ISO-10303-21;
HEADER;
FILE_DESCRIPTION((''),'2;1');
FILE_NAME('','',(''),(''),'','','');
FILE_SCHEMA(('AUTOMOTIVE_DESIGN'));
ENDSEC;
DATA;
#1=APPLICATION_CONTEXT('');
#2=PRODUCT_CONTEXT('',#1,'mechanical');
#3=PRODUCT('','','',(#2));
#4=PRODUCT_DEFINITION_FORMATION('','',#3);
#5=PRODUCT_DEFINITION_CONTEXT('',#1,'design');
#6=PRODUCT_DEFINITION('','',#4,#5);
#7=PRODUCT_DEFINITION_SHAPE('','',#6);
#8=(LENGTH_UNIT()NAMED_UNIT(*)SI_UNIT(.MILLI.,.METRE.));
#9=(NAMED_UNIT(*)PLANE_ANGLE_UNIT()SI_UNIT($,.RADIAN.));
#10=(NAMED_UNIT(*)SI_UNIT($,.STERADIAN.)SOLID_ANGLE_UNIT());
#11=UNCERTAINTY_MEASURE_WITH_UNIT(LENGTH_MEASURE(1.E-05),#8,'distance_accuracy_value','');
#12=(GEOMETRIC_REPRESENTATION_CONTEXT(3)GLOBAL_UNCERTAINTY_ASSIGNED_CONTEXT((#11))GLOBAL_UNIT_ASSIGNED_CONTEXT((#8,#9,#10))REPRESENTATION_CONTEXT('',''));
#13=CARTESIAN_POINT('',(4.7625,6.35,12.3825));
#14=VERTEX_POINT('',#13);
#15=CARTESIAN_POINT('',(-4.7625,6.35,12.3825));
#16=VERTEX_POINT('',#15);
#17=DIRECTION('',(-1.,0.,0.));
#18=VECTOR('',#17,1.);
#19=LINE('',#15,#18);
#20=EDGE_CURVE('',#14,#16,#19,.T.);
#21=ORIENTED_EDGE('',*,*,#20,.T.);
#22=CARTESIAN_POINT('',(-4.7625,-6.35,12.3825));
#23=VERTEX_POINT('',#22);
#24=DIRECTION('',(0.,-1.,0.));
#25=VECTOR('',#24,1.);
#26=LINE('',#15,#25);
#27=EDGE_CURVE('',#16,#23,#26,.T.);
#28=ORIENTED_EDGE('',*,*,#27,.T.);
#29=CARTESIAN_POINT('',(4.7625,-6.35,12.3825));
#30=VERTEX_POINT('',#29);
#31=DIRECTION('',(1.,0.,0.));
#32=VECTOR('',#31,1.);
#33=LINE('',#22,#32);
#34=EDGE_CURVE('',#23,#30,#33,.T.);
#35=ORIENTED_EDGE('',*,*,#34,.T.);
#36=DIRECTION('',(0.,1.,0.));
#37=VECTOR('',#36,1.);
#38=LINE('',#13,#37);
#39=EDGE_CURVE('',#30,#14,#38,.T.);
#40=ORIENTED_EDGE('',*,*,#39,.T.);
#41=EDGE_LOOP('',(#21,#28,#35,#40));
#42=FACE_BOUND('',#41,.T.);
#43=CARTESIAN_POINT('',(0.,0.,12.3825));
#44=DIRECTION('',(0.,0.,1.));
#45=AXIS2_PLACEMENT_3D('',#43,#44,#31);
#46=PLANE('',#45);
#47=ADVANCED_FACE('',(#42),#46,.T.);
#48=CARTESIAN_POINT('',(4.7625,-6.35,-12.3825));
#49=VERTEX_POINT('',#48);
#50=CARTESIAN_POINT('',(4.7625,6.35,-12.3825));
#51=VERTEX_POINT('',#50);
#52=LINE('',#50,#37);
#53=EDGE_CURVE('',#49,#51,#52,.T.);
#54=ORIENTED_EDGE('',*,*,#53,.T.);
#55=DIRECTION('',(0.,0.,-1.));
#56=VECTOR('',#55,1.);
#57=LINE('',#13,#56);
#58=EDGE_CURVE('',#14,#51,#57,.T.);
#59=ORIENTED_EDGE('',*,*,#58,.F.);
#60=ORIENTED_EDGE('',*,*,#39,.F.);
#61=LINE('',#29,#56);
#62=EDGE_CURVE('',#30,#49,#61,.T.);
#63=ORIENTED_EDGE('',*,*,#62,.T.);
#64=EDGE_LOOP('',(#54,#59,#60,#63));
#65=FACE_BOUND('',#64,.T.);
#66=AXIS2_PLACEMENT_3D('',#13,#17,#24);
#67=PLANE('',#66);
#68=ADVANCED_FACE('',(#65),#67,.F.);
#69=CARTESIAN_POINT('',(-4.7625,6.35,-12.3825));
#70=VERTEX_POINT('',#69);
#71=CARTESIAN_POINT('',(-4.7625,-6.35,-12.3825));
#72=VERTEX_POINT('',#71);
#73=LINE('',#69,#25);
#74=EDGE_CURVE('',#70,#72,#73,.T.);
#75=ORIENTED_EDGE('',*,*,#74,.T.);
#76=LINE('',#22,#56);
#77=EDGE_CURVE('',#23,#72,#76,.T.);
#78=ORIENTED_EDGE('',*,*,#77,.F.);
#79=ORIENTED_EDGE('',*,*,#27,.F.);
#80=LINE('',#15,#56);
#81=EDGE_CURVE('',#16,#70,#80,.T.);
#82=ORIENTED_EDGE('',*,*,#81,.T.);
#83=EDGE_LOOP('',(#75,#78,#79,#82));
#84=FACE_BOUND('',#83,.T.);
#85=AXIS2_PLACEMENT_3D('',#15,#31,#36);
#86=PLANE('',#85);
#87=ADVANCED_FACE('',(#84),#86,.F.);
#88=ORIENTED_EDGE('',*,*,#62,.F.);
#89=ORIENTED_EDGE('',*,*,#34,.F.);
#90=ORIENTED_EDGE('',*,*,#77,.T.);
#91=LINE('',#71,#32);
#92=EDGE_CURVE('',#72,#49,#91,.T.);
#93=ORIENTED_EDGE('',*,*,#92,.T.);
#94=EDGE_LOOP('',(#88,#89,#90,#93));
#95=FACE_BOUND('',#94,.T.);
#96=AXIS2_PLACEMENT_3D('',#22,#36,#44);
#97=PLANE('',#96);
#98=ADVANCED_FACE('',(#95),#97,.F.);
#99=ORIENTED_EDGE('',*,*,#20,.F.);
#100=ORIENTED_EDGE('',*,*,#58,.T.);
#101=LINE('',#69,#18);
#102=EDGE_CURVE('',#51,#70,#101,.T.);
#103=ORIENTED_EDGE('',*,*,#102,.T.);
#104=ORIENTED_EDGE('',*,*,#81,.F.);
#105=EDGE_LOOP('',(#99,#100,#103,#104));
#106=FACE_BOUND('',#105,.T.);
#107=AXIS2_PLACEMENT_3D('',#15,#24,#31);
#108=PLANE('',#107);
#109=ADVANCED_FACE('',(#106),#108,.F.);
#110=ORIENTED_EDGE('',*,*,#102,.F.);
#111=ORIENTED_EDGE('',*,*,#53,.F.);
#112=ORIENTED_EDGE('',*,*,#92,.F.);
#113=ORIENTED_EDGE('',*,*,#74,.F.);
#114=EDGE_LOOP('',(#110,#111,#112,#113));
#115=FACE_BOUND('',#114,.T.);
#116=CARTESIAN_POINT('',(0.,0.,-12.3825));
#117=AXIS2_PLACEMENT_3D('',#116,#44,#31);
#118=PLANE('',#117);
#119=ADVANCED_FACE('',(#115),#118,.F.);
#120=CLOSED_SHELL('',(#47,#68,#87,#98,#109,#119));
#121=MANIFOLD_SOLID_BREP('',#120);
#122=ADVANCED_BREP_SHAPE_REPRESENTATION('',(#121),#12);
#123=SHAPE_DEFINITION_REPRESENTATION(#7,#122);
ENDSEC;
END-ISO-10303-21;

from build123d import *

# Parameters (mm, degrees)
SKETCH3_W                = 9.525
SKETCH3_H                = 12.7
BOSS_EXTRUDE1_DEPTH      = 12.3825
BOSS_EXTRUDE1_DEPTH_BACK = 12.3825


with BuildPart() as part:
    # Sketch3 → Boss-Extrude1 (new body, two sides)
    with BuildSketch(Plane.XY) as boss_extrude1_sk:
        Rectangle(SKETCH3_W, SKETCH3_H)
    extrude(amount=BOSS_EXTRUDE1_DEPTH)
    extrude(boss_extrude1_sk.sketch, amount=-BOSS_EXTRUDE1_DEPTH_BACK)


solid = part.part
